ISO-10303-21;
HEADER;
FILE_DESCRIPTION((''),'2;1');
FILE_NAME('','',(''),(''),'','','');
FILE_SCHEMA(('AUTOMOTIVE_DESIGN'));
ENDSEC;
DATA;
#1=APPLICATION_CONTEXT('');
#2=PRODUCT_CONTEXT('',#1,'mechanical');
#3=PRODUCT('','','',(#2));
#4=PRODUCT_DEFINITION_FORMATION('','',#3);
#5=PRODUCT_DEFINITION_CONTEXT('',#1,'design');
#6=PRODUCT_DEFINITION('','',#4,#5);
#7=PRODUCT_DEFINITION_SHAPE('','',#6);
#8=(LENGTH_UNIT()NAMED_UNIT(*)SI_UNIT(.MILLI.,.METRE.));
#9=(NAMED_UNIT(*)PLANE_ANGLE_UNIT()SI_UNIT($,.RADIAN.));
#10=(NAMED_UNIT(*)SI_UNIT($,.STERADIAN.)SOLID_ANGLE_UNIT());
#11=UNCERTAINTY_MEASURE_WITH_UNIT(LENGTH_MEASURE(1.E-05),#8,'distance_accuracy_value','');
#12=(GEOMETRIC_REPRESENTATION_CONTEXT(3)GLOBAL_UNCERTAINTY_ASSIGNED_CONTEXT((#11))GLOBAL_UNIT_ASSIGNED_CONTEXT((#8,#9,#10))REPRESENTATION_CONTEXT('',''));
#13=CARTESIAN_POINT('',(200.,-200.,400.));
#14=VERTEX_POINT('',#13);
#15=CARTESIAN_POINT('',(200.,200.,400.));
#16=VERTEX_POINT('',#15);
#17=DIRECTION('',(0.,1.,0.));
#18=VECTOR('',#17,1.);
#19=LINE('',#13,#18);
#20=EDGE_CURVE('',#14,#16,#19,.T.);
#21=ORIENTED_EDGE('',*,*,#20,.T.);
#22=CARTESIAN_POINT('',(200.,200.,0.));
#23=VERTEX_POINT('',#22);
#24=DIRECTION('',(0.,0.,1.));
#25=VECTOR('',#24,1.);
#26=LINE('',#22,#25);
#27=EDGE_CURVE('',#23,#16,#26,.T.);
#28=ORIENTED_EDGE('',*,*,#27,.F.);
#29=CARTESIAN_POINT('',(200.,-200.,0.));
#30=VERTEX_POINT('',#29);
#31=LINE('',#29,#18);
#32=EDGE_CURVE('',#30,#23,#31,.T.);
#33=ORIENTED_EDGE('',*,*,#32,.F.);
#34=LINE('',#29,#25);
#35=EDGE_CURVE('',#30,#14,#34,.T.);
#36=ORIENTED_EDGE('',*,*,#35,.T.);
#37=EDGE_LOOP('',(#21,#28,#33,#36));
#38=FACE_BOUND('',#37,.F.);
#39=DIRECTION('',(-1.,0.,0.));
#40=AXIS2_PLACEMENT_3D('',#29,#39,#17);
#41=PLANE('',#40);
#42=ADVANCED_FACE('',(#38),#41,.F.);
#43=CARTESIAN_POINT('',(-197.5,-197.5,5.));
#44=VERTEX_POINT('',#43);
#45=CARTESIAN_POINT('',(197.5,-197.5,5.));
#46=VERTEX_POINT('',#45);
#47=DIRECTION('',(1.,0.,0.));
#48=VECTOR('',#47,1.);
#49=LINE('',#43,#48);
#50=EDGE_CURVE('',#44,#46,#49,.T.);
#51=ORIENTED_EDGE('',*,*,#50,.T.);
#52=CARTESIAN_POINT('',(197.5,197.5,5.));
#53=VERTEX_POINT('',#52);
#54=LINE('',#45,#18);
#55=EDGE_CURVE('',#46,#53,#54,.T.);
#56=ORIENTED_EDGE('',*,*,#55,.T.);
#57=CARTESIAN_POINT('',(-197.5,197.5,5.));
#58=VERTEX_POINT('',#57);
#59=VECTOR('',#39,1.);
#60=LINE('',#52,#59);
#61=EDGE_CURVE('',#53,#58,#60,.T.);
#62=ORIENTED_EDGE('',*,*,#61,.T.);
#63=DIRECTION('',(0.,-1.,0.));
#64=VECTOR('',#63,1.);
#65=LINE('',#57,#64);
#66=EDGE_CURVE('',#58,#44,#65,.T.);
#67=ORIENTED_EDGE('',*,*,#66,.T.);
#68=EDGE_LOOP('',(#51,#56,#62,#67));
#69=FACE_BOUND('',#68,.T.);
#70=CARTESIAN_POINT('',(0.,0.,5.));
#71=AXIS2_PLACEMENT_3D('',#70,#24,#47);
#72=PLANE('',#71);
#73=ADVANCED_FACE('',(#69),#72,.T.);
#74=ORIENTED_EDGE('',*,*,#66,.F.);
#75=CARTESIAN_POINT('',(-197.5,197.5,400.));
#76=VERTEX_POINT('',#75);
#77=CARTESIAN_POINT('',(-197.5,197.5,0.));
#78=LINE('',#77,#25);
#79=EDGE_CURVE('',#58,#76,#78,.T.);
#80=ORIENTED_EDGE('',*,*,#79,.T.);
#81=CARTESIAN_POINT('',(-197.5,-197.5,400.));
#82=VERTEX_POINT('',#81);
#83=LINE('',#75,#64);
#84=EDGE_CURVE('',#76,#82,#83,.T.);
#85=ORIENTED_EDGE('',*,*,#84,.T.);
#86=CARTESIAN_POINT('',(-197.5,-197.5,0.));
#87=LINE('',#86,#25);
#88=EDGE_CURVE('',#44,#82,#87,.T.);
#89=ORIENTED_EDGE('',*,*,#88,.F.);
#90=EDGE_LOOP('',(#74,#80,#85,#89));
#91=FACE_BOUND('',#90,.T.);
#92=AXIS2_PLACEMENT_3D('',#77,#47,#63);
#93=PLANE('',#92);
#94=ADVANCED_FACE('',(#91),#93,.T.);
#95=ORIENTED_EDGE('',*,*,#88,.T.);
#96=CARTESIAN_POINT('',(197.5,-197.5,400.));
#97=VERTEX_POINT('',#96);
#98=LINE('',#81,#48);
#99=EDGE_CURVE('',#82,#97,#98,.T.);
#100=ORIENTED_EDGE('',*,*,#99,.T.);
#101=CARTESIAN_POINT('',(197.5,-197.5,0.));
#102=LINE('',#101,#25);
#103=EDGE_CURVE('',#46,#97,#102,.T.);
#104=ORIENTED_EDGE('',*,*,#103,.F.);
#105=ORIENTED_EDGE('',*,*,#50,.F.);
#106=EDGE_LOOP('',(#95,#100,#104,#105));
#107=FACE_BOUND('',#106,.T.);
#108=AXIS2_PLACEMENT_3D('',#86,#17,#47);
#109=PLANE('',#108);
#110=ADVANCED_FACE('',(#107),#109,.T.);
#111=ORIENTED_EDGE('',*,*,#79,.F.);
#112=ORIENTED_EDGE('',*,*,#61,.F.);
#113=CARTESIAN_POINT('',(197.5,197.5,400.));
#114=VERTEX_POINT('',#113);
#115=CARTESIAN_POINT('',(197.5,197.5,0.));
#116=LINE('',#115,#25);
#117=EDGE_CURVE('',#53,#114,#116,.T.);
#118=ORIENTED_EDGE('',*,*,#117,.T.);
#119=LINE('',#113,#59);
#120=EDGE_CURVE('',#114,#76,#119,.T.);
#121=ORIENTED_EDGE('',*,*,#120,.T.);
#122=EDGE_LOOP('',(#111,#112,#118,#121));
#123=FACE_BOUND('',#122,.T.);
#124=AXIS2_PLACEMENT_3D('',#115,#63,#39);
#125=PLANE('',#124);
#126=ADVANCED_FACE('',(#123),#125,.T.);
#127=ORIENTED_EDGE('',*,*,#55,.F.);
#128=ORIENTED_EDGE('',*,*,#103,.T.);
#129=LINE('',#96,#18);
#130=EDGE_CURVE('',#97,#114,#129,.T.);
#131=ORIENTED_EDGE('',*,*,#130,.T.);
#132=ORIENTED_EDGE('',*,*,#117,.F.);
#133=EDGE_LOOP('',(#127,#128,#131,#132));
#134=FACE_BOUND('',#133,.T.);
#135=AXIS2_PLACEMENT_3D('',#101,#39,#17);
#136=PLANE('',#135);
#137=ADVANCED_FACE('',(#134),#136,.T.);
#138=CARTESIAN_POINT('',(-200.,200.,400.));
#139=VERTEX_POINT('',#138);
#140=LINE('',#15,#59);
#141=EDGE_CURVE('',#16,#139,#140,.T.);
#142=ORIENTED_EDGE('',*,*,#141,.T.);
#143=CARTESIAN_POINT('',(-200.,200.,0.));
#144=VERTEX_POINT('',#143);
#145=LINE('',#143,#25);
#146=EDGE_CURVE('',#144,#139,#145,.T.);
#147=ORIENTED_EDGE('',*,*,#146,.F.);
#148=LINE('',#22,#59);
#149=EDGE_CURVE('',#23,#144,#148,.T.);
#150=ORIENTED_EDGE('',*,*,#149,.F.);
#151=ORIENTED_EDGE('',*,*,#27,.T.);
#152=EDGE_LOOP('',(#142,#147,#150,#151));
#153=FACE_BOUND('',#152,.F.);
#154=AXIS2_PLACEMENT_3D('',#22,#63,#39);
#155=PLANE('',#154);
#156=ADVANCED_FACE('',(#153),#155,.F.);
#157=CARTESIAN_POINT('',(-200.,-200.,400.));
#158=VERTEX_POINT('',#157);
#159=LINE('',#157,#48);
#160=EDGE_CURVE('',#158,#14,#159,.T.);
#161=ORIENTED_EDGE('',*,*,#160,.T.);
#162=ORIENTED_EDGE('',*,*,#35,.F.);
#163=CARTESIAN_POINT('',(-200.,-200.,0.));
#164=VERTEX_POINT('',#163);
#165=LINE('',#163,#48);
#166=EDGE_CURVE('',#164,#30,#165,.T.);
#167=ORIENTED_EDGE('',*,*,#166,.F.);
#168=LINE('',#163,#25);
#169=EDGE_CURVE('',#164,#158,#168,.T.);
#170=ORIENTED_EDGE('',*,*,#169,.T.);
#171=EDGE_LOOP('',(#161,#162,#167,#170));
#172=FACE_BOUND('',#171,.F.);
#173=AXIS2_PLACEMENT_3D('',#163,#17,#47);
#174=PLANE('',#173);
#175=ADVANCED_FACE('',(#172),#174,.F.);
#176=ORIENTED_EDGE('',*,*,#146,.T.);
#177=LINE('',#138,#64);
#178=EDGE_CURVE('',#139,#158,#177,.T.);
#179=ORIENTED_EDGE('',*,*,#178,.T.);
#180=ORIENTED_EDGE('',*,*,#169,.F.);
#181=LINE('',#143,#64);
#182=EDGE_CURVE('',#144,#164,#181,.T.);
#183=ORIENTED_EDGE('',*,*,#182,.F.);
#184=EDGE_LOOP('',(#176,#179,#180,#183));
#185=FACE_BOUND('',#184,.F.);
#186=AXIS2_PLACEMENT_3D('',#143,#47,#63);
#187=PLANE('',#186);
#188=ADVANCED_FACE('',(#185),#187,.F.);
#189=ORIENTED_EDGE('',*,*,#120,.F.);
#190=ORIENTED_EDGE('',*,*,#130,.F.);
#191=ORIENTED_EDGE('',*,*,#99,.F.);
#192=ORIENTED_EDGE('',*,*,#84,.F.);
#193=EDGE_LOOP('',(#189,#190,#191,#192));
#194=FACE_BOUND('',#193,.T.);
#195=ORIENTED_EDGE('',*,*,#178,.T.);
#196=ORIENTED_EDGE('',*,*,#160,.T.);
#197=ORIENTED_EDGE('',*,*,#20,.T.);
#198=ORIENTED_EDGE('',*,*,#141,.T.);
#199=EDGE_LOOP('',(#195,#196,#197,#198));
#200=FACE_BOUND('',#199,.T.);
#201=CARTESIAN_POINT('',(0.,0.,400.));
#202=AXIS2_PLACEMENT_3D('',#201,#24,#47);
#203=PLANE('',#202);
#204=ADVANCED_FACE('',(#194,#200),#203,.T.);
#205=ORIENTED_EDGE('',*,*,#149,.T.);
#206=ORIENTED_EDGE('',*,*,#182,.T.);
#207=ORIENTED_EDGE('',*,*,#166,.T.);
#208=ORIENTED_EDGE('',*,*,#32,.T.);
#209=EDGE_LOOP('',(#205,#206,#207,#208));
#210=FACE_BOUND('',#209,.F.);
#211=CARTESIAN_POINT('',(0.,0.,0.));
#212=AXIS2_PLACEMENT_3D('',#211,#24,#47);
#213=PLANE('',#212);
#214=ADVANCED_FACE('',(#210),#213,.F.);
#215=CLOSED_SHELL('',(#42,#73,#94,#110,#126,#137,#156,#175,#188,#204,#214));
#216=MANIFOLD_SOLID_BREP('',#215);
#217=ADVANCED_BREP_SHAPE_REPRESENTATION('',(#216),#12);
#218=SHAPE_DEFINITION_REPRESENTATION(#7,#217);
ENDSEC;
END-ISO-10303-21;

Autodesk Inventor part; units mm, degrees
ref_plane "YZ Plane" through (0, 0, 0) normal (1, 0, 0) x (0, 1, 0)
ref_plane "XZ Plane" through (0, 0, 0) normal (0, 1, 0) x (-1, 0, 0)
ref_plane "XY Plane" through (0, 0, 0) normal (0, 0, 1) x (1, 0, 0)
sketch "Boceto1" plane through (0, 0, 0) normal (0, 0, 1) x (1, 0, 0)
  line L0 (-200, -200) -> (200, -200)
  line L1 (200, -200) -> (200, 200)
  line L2 (200, 200) -> (-200, 200)
  line L3 (-200, 200) -> (-200, -200)
  line L4 (-200, -200) -> (200, 200) construction
  line L5 (200, -200) -> (-200, 200) construction
  line L6 (-197.5, -197.5) -> (197.5, -197.5)
  line L7 (197.5, -197.5) -> (197.5, 197.5)
  line L8 (197.5, 197.5) -> (-197.5, 197.5)
  line L9 (-197.5, 197.5) -> (-197.5, -197.5)
  line L10 (-197.5, -197.5) -> (197.5, 197.5) construction
  line L11 (197.5, -197.5) -> (-197.5, 197.5) construction
  point P0 (0, 0)
  dimension "d0" = 400
  dimension "d1" = 400
  dimension "d2" = 395
  dimension "d3" = 395
extrude "Extrusión1" add sketch "Boceto1" along normal blind 5 contours L9 L8 L7 L6
extrude "Extrusión2" add sketch "Boceto1" along normal blind 400
properties part number "BOX"
